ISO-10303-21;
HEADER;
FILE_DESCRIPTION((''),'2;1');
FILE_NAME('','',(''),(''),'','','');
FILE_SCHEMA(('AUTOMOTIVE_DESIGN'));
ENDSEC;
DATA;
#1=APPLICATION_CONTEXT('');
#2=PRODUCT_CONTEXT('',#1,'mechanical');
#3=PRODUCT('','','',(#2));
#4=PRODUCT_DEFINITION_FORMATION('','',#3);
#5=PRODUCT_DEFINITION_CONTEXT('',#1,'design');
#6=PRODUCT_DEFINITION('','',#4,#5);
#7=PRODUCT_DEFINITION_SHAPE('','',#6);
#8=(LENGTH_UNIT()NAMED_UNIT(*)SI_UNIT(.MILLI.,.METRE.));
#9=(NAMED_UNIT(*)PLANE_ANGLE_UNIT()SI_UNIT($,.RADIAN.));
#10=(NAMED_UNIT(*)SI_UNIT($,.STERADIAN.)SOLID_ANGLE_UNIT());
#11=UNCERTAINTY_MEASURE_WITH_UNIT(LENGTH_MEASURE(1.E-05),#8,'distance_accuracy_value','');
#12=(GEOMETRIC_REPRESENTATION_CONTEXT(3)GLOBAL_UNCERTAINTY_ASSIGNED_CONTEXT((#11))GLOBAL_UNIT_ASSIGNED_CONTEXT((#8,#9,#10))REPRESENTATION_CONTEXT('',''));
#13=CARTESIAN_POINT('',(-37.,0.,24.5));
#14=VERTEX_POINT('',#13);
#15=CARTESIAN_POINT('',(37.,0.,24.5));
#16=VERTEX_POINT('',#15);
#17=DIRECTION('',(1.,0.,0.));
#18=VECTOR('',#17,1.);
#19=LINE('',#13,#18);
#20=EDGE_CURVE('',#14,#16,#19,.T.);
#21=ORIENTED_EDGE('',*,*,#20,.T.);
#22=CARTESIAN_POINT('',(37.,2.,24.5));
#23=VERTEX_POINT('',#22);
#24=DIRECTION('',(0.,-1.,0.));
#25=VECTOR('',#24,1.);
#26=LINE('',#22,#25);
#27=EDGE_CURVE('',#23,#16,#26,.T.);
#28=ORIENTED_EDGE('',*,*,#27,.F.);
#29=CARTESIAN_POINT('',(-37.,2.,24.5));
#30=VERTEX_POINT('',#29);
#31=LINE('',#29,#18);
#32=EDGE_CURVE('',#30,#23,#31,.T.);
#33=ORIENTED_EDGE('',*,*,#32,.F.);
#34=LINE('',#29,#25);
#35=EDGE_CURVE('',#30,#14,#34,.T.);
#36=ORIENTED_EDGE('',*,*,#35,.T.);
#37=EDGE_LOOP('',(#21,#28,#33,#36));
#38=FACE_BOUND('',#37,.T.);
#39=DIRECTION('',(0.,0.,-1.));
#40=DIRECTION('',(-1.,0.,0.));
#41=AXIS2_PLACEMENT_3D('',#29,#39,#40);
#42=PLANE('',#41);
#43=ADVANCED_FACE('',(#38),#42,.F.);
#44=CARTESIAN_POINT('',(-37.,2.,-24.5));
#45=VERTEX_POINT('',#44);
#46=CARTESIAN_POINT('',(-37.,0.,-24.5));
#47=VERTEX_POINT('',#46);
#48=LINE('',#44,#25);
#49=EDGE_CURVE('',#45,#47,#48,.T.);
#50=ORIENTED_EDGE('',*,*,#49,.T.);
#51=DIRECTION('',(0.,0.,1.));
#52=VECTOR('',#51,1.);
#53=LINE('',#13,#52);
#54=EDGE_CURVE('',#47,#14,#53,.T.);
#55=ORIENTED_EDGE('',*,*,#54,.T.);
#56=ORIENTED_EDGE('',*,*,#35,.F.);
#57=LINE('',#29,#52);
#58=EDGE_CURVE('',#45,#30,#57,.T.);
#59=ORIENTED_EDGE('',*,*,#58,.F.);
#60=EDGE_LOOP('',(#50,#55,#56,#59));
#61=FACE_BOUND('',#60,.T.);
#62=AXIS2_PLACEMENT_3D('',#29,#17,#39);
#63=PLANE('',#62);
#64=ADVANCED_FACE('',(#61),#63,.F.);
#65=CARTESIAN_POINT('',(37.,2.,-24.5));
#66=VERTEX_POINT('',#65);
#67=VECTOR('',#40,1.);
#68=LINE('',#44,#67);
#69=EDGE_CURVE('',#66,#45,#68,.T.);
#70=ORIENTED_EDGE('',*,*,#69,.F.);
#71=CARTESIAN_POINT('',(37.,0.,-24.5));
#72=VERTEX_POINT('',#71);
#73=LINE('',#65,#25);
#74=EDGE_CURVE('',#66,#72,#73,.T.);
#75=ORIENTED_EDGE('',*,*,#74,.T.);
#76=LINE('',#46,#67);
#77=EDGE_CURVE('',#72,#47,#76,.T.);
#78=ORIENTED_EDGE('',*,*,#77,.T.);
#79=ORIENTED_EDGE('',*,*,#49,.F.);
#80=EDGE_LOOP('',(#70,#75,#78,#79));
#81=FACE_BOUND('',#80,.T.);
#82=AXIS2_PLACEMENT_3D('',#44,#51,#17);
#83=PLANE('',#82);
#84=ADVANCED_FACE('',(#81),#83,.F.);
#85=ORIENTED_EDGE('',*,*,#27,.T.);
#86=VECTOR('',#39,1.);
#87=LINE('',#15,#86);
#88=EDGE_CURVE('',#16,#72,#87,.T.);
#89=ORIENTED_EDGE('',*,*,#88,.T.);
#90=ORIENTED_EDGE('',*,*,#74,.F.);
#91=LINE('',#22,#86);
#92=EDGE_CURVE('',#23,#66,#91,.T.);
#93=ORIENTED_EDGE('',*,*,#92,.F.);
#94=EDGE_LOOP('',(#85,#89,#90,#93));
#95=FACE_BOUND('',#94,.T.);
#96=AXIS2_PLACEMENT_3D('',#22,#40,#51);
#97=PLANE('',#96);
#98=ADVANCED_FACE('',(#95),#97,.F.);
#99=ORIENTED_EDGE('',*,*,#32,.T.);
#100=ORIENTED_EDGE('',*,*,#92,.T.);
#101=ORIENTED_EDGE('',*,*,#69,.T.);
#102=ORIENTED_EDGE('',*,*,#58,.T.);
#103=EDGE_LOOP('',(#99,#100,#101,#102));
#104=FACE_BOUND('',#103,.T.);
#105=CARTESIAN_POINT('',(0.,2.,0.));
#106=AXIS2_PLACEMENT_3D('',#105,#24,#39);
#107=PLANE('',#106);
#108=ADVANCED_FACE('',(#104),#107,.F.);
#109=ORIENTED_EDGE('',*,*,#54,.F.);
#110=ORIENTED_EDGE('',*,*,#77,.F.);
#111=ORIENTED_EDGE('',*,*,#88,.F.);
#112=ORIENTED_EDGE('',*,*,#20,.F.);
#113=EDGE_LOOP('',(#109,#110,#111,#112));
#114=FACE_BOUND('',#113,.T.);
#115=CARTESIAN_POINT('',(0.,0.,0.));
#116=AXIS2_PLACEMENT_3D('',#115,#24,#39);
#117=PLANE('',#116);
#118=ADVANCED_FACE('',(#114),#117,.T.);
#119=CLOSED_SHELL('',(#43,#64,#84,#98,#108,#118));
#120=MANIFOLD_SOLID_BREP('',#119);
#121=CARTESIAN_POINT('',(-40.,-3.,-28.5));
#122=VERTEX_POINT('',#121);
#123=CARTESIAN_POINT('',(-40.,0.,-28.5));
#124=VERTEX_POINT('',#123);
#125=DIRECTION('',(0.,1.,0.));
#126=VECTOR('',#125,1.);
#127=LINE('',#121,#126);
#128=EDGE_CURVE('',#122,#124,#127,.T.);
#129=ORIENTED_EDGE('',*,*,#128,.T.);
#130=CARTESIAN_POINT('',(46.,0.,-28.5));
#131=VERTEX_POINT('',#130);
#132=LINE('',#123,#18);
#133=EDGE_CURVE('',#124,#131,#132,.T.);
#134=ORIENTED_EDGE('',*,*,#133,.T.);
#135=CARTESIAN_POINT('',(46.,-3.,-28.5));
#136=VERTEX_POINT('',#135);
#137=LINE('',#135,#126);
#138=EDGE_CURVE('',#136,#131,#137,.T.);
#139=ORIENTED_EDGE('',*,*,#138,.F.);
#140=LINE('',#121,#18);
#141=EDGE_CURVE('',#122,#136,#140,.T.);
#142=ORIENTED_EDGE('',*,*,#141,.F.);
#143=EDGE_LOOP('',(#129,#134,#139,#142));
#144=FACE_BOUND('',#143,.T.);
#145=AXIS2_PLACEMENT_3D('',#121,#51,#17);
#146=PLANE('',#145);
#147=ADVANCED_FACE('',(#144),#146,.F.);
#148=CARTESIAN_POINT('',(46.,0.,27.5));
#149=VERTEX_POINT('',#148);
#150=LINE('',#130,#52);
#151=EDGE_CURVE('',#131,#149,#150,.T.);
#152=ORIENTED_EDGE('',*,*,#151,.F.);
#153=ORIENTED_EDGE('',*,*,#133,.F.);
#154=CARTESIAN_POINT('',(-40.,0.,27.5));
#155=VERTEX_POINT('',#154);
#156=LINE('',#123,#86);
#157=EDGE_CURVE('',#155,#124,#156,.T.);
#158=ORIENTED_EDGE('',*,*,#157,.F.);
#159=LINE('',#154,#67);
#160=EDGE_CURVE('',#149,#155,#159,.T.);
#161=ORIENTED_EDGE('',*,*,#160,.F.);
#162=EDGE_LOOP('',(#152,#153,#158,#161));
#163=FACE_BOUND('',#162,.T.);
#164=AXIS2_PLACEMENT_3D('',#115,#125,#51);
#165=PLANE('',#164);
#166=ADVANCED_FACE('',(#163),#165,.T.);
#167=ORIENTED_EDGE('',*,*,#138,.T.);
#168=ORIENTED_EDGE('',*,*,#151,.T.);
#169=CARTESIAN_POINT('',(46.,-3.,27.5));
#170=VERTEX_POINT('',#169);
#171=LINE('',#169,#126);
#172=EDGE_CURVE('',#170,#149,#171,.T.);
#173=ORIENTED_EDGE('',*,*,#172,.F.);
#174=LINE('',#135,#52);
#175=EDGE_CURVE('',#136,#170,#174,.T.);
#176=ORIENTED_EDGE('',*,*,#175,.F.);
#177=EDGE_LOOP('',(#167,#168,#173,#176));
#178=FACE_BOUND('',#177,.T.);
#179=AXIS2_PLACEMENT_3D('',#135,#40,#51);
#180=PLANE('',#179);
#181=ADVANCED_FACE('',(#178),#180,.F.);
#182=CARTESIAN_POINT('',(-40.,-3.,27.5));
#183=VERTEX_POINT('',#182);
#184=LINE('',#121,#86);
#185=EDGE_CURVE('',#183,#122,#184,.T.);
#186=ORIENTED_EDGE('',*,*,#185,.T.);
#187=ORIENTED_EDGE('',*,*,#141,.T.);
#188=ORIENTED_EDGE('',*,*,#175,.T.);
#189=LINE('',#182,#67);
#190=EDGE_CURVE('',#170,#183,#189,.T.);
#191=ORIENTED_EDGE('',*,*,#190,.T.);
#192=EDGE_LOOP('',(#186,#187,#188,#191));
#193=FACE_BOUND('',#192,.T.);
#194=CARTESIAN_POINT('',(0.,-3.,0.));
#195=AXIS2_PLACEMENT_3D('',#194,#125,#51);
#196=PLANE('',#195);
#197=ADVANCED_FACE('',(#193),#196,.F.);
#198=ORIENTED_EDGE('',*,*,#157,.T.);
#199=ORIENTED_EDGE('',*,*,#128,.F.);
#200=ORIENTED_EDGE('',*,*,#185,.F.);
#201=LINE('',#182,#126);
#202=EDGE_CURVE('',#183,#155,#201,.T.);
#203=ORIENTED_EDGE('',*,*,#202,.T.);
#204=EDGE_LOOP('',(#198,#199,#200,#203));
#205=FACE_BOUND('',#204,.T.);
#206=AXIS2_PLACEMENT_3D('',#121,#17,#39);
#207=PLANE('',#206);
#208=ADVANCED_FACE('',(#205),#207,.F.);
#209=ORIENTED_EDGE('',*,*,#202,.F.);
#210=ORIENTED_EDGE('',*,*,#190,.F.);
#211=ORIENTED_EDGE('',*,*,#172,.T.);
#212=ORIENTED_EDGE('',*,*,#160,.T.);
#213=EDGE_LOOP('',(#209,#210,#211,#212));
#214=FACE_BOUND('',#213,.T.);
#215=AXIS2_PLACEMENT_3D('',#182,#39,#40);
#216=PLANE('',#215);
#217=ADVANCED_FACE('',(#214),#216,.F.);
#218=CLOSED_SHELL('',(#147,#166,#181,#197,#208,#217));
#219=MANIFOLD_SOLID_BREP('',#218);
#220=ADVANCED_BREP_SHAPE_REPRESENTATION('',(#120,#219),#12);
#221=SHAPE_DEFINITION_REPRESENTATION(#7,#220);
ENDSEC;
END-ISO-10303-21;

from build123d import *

# Parameters (mm, degrees)
SKETCH1_W           = 74
SKETCH1_H           = 49
BOSS_EXTRUDE1_DEPTH = 2
SKETCH2_W           = 86
SKETCH2_H           = 56
BOSS_EXTRUDE2_DEPTH = 3


with BuildPart() as part:
    # Sketch1 → Boss-Extrude1 (new body)
    with BuildSketch(Plane(origin=(0, 0, 0), x_dir=(1, 0, 0), z_dir=(0, 1, 0))):
        Rectangle(SKETCH1_W, SKETCH1_H)
    extrude(amount=BOSS_EXTRUDE1_DEPTH)


with BuildPart() as body_2:
    # Sketch2 → Boss-Extrude2 (new body)
    with BuildSketch(Plane.XZ):
        with Locations((3, -0.5)):
            Rectangle(SKETCH2_W, SKETCH2_H)
    extrude(amount=BOSS_EXTRUDE2_DEPTH)


solid = Compound([part.part, body_2.part])
